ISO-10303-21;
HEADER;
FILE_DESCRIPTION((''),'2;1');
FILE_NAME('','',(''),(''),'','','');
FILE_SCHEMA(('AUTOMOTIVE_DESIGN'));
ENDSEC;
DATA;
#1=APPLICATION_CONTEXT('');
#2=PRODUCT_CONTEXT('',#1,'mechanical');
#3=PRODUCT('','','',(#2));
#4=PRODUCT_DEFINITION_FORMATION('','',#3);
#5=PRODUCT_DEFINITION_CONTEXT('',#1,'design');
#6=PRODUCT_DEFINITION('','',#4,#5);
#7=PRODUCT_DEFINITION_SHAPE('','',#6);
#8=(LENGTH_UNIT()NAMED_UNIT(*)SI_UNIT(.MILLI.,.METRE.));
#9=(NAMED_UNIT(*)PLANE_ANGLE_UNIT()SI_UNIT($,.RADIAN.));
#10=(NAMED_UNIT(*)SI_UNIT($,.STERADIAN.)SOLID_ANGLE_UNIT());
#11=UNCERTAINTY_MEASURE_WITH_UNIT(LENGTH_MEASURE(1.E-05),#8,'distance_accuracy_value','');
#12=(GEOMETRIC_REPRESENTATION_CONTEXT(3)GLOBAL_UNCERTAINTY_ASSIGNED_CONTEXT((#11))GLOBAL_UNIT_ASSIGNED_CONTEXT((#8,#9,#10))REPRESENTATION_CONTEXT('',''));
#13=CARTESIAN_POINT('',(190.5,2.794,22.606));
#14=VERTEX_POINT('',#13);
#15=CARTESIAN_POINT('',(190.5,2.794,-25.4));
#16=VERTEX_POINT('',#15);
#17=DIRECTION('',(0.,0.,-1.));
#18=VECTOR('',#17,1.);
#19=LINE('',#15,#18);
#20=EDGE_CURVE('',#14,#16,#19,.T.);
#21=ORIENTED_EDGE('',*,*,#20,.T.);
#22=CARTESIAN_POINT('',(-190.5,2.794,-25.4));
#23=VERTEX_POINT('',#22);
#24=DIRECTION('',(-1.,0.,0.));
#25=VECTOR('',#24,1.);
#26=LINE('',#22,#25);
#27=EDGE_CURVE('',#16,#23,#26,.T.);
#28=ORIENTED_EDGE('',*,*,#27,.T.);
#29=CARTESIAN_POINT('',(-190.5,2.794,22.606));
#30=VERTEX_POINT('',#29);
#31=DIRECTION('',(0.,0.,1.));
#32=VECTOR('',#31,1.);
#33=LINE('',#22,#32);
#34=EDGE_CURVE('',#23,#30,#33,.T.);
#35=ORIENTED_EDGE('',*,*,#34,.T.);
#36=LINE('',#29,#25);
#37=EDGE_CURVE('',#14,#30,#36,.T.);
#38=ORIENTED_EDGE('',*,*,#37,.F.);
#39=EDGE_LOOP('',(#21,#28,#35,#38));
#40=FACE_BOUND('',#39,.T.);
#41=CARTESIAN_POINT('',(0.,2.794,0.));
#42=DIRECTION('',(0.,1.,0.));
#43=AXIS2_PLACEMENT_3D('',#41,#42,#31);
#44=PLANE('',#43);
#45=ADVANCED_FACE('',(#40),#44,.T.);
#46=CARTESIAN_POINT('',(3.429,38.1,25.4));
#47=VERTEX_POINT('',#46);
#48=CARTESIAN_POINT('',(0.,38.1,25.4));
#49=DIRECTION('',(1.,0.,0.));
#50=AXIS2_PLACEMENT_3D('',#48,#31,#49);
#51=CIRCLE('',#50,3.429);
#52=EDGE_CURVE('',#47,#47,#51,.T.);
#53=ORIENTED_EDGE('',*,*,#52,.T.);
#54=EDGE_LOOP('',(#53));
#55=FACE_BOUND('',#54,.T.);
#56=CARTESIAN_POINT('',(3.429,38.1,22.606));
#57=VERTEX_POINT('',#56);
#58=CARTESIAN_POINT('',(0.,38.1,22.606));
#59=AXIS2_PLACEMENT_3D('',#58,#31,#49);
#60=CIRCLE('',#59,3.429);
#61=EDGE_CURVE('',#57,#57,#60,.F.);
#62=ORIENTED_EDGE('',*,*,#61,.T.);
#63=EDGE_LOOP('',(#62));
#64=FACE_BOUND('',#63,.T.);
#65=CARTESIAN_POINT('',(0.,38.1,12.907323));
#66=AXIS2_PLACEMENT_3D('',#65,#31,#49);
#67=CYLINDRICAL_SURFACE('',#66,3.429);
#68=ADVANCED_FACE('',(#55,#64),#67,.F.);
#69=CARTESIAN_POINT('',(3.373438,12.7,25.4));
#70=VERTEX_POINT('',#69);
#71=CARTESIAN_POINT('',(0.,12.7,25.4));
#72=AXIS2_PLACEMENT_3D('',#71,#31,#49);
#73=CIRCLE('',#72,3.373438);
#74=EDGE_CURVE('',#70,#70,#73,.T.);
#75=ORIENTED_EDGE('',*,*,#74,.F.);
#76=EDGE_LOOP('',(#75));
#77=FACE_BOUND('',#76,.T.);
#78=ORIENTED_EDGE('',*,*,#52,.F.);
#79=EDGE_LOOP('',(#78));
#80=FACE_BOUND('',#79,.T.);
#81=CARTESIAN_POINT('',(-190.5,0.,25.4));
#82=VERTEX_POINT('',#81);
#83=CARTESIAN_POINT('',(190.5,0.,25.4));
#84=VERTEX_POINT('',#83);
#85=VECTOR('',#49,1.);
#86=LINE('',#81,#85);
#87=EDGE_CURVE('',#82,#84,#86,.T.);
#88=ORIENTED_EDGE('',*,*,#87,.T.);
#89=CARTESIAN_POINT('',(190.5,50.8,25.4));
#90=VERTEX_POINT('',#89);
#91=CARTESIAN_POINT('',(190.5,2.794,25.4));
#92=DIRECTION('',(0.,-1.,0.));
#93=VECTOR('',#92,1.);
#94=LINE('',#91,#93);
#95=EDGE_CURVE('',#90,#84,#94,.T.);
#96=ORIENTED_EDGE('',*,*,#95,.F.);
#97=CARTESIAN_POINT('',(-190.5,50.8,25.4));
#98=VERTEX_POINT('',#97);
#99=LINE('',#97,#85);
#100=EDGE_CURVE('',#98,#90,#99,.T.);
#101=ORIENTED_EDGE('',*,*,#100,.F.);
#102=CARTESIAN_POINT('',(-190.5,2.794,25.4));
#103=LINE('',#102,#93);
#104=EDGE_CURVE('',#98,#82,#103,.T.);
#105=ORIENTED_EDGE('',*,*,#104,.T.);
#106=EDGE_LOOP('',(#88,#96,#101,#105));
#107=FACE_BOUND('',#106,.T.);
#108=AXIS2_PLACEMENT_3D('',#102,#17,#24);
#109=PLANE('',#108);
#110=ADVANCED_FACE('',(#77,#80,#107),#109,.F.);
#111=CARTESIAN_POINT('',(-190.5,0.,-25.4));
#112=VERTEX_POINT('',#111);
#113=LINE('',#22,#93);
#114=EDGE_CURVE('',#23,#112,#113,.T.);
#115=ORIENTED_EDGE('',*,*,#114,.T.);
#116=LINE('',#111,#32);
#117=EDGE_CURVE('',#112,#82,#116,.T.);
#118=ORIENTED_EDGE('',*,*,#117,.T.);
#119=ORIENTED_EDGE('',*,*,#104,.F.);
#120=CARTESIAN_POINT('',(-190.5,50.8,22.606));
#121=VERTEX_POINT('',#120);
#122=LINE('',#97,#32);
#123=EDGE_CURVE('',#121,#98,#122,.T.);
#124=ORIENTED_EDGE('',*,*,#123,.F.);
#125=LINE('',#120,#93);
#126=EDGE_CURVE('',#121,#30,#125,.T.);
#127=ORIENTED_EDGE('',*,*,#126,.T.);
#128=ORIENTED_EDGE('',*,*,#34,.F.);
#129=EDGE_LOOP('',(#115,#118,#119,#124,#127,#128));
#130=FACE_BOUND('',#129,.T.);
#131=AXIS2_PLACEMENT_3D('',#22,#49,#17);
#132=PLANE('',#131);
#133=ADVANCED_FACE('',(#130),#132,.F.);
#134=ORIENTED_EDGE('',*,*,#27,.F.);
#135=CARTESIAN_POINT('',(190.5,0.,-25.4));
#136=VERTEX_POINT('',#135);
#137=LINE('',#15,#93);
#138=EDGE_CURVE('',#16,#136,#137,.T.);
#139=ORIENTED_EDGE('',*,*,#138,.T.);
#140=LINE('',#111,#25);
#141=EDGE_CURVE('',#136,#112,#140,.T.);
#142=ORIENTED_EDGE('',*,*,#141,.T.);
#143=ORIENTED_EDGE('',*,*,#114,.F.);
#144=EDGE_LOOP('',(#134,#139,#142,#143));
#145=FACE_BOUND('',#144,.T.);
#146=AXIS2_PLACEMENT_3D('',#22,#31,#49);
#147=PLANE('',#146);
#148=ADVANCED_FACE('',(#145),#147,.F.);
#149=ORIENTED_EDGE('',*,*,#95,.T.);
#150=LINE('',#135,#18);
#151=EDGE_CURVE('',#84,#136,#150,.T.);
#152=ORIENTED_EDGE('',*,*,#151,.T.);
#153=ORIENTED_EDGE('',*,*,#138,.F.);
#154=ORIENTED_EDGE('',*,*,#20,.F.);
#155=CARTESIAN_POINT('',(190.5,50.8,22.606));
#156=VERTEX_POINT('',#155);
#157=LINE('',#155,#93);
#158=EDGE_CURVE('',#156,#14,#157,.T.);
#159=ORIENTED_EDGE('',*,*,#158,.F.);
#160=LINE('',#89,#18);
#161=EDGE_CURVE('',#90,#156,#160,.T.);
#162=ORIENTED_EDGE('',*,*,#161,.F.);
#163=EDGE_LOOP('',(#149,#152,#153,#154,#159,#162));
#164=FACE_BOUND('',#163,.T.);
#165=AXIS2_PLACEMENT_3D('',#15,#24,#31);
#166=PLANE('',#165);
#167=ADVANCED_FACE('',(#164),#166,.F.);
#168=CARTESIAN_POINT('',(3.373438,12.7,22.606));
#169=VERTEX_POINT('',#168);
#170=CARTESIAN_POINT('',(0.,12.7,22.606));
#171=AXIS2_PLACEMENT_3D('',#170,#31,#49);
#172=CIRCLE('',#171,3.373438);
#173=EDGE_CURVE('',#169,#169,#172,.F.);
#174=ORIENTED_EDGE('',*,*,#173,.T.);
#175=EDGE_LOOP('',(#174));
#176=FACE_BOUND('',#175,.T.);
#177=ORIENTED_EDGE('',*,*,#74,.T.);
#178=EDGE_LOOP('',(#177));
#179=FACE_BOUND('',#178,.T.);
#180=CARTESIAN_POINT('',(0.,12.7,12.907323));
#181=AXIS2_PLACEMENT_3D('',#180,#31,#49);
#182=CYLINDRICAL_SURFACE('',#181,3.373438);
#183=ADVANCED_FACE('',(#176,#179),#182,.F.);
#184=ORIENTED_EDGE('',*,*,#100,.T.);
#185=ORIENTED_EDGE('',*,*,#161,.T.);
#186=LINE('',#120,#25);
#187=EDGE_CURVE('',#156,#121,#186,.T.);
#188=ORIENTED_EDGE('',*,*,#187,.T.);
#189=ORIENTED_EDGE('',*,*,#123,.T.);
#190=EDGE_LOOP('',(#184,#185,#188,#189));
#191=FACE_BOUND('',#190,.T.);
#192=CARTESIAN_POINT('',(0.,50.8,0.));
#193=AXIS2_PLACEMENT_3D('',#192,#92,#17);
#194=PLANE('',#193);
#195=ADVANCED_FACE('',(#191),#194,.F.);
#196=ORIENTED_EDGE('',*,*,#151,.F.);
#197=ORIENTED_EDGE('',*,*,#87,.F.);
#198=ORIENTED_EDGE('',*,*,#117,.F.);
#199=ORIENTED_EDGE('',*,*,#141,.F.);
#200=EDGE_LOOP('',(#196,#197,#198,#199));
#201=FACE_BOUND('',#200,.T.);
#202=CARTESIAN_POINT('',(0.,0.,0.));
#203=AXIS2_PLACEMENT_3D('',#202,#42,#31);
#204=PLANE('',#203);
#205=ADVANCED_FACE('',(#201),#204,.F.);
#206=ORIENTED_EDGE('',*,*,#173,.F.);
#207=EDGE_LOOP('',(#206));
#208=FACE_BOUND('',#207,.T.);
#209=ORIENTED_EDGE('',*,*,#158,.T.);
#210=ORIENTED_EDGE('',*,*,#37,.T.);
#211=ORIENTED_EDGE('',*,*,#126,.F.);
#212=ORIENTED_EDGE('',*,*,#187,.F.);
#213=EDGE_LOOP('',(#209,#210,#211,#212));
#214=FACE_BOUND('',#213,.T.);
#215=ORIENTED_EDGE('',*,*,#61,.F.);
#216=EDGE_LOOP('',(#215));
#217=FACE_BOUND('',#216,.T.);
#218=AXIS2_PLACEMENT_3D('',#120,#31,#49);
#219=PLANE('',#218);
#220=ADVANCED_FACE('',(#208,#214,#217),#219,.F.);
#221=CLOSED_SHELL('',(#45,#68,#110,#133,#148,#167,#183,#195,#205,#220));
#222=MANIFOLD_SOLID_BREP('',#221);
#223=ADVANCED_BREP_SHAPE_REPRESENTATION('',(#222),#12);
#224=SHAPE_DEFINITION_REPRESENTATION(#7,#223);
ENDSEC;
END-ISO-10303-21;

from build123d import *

# Parameters (mm, degrees)
SKETCH1_W           = 381
SKETCH1_H           = 50.8
BOSS_EXTRUDE1_DEPTH = 2.794
SKETCH2_W           = 381
SKETCH2_H           = 2.794
BOSS_EXTRUDE2_DEPTH = 48.006
SKETCH3_R           = 3.429
SKETCH3_R_2         = 3.3734375
CUT_EXTRUDE1_DEPTH  = 2.794


with BuildPart() as part:
    # Sketch1 → Boss-Extrude1 (new body)
    with BuildSketch(Plane(origin=(0, 0, 0), x_dir=(1, 0, 0), z_dir=(0, 1, 0))):
        Rectangle(SKETCH1_W, SKETCH1_H)
    extrude(amount=BOSS_EXTRUDE1_DEPTH)

    # Sketch2 → Boss-Extrude2 (add)
    with BuildSketch(Plane(origin=(0, 2.794, 0), x_dir=(1, 0, 0), z_dir=(0, 1, 0))):
        with Locations((0, -24.003)):
            Rectangle(SKETCH2_W, SKETCH2_H)
    extrude(amount=BOSS_EXTRUDE2_DEPTH)

    # Sketch3 → Cut-Extrude1 (cut)
    with BuildSketch(Plane.XY.offset(25.4)):
        with Locations((0, 38.1)):
            Circle(SKETCH3_R)
        with Locations((0, 12.7)):
            Circle(SKETCH3_R_2)
    extrude(amount=-CUT_EXTRUDE1_DEPTH, mode=Mode.SUBTRACT)


solid = part.part
